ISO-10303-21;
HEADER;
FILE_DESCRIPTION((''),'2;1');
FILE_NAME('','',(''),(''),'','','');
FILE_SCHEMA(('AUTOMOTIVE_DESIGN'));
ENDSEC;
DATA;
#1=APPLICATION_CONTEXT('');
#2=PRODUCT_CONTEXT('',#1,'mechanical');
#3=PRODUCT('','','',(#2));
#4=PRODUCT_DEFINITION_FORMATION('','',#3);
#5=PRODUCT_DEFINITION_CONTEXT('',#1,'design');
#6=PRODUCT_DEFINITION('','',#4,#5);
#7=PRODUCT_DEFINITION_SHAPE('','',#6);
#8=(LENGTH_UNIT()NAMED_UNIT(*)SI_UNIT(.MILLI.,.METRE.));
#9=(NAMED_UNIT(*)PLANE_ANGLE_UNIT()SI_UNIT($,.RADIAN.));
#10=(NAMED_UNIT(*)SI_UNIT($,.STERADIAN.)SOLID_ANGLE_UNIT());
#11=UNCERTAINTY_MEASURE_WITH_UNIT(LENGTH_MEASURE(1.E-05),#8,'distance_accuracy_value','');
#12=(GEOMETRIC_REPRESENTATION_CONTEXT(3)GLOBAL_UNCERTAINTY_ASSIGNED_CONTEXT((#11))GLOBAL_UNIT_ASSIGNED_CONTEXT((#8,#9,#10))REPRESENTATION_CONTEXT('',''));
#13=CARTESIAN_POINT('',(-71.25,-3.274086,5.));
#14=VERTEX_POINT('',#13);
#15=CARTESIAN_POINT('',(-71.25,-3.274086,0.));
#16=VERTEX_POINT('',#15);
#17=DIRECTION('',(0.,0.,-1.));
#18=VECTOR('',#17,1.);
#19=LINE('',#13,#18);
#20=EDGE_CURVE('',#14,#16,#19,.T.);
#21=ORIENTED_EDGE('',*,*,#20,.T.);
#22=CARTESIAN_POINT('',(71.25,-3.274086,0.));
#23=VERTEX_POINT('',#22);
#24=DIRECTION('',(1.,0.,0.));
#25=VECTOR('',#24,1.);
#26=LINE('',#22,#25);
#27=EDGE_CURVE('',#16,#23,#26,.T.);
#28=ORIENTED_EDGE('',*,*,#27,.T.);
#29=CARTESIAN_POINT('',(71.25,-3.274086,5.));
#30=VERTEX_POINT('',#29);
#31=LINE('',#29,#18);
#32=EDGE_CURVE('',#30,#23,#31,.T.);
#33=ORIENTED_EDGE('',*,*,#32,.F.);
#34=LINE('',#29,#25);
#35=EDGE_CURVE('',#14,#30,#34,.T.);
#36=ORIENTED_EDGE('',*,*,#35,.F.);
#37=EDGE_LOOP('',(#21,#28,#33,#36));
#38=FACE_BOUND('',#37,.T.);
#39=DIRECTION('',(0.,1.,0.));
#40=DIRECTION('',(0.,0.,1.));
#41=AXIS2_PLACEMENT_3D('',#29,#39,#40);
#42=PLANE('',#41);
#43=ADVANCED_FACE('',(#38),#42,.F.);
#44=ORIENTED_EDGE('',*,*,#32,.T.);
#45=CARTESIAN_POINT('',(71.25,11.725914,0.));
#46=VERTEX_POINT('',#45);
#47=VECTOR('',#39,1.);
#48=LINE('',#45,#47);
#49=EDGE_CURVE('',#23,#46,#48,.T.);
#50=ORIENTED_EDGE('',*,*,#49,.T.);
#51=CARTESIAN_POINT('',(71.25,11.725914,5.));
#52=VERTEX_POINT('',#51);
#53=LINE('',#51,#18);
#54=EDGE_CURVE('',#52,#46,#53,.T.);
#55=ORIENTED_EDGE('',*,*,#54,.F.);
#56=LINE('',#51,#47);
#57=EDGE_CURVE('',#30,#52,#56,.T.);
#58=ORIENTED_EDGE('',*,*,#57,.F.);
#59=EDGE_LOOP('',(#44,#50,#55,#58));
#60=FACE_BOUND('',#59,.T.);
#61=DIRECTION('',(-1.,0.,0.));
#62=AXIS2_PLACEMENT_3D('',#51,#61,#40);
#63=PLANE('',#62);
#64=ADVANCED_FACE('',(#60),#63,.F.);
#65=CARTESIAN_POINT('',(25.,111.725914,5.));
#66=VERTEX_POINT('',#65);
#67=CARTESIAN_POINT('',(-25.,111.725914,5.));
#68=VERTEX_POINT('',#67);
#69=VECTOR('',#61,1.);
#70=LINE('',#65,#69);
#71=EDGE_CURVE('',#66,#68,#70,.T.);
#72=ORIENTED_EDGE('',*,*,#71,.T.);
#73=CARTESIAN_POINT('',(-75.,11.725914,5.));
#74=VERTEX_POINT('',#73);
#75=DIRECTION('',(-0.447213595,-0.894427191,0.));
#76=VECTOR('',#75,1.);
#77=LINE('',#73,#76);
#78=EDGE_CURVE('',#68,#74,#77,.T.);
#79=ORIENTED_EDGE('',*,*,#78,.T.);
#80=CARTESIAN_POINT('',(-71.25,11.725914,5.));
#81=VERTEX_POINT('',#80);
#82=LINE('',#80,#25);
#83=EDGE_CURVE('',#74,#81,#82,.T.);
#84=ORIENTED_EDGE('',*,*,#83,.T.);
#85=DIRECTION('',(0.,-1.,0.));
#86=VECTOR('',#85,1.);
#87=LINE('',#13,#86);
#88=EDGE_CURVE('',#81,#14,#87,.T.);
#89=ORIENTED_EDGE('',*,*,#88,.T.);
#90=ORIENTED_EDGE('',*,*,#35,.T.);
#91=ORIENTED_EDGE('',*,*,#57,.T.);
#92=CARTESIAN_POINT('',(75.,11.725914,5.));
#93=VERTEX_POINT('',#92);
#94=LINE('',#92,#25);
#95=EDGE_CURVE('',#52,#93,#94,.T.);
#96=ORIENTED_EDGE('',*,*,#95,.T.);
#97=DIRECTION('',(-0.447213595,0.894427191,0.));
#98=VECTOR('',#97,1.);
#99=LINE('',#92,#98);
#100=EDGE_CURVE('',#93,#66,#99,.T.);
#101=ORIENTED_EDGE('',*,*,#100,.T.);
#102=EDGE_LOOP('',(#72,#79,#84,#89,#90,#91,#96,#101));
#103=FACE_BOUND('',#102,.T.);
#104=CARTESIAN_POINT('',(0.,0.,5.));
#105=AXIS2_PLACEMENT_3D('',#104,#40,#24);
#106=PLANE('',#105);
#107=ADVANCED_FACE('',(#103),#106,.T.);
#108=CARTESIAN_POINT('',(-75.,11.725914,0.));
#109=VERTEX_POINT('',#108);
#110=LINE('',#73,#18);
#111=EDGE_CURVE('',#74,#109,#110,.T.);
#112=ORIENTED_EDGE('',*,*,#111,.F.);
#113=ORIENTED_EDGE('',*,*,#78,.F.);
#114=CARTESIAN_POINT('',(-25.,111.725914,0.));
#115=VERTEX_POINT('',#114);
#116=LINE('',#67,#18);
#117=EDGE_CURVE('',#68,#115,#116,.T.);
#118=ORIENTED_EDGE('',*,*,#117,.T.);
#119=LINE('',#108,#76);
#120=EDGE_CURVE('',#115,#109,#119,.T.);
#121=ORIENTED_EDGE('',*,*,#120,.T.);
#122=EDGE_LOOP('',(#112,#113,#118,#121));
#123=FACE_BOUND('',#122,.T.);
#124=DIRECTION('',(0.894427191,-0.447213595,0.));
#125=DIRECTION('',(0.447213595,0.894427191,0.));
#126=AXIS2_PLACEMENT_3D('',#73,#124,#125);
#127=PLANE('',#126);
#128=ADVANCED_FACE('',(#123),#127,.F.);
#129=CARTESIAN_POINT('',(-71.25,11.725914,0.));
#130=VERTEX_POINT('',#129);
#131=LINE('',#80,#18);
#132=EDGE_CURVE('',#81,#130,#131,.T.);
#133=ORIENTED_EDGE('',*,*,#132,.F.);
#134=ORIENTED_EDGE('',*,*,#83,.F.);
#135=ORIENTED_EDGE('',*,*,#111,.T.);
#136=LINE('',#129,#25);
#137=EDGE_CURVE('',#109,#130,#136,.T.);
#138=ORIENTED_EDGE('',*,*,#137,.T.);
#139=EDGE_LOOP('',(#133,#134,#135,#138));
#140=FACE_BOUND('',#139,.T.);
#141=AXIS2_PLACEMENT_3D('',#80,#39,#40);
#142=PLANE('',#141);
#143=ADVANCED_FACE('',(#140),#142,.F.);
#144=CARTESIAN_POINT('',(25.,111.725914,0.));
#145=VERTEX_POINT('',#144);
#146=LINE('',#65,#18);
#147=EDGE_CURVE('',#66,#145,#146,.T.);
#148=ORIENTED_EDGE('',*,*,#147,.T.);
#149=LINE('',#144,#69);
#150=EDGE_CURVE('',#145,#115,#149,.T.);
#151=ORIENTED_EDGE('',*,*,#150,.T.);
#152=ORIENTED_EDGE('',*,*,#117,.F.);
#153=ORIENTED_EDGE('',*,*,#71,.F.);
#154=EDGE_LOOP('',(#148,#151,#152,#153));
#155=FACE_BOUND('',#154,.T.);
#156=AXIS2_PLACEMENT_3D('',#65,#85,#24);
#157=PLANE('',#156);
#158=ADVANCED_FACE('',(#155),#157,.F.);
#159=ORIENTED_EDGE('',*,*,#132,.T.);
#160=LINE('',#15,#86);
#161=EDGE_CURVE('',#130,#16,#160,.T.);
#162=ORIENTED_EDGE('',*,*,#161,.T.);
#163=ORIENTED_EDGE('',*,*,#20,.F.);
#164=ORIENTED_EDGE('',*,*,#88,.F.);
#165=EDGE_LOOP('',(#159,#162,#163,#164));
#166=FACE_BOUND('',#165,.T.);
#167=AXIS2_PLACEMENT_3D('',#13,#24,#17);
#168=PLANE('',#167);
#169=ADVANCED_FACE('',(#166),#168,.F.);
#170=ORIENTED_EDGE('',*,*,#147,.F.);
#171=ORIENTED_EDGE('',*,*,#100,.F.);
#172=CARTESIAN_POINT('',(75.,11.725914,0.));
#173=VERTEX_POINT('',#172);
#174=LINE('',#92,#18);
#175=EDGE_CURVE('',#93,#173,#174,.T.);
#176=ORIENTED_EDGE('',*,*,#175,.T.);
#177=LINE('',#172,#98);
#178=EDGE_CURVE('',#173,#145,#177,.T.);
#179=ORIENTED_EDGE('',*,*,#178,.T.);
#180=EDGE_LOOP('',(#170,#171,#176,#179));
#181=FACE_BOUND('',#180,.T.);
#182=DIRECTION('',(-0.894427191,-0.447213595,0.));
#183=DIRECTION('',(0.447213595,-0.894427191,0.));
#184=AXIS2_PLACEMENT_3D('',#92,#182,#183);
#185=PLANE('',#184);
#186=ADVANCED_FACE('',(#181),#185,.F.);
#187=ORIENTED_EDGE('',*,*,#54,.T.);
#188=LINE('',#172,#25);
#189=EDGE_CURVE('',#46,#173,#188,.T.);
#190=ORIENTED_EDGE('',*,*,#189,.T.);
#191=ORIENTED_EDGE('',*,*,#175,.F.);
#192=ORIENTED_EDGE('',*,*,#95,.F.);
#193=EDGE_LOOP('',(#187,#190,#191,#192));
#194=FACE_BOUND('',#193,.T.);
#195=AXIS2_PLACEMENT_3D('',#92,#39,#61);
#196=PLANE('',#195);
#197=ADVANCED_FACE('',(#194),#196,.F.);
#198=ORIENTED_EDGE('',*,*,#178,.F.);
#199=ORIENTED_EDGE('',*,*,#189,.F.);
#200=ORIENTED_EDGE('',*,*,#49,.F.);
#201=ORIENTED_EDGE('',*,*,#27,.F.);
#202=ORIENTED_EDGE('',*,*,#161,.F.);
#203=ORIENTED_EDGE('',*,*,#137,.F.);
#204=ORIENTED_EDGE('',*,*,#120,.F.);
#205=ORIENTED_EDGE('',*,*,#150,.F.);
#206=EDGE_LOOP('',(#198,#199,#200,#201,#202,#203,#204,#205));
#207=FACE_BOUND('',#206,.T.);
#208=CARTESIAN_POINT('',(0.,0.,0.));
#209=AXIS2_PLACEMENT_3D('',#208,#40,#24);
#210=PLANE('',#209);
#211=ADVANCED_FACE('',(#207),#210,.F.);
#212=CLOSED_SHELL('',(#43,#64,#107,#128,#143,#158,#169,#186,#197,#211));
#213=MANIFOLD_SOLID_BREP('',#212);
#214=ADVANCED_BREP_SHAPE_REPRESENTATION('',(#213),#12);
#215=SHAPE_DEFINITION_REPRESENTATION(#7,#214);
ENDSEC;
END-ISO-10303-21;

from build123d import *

# Parameters (mm, degrees)
BOSS_EXTRUDE1_DEPTH = 5


with BuildPart() as part:
    # Sketch1 → Boss-Extrude1 (new body)
    with BuildSketch(Plane.XY):
        Polygon((75, 11.725913897), (71.25, 11.725913897), (71.25, -3.274086103), (-71.25, -3.274086103), (-71.25, 11.725913897), (-75, 11.725913897), (-25, 111.725913897), (25, 111.725913897), align=None)
    extrude(amount=BOSS_EXTRUDE1_DEPTH)


solid = part.part
